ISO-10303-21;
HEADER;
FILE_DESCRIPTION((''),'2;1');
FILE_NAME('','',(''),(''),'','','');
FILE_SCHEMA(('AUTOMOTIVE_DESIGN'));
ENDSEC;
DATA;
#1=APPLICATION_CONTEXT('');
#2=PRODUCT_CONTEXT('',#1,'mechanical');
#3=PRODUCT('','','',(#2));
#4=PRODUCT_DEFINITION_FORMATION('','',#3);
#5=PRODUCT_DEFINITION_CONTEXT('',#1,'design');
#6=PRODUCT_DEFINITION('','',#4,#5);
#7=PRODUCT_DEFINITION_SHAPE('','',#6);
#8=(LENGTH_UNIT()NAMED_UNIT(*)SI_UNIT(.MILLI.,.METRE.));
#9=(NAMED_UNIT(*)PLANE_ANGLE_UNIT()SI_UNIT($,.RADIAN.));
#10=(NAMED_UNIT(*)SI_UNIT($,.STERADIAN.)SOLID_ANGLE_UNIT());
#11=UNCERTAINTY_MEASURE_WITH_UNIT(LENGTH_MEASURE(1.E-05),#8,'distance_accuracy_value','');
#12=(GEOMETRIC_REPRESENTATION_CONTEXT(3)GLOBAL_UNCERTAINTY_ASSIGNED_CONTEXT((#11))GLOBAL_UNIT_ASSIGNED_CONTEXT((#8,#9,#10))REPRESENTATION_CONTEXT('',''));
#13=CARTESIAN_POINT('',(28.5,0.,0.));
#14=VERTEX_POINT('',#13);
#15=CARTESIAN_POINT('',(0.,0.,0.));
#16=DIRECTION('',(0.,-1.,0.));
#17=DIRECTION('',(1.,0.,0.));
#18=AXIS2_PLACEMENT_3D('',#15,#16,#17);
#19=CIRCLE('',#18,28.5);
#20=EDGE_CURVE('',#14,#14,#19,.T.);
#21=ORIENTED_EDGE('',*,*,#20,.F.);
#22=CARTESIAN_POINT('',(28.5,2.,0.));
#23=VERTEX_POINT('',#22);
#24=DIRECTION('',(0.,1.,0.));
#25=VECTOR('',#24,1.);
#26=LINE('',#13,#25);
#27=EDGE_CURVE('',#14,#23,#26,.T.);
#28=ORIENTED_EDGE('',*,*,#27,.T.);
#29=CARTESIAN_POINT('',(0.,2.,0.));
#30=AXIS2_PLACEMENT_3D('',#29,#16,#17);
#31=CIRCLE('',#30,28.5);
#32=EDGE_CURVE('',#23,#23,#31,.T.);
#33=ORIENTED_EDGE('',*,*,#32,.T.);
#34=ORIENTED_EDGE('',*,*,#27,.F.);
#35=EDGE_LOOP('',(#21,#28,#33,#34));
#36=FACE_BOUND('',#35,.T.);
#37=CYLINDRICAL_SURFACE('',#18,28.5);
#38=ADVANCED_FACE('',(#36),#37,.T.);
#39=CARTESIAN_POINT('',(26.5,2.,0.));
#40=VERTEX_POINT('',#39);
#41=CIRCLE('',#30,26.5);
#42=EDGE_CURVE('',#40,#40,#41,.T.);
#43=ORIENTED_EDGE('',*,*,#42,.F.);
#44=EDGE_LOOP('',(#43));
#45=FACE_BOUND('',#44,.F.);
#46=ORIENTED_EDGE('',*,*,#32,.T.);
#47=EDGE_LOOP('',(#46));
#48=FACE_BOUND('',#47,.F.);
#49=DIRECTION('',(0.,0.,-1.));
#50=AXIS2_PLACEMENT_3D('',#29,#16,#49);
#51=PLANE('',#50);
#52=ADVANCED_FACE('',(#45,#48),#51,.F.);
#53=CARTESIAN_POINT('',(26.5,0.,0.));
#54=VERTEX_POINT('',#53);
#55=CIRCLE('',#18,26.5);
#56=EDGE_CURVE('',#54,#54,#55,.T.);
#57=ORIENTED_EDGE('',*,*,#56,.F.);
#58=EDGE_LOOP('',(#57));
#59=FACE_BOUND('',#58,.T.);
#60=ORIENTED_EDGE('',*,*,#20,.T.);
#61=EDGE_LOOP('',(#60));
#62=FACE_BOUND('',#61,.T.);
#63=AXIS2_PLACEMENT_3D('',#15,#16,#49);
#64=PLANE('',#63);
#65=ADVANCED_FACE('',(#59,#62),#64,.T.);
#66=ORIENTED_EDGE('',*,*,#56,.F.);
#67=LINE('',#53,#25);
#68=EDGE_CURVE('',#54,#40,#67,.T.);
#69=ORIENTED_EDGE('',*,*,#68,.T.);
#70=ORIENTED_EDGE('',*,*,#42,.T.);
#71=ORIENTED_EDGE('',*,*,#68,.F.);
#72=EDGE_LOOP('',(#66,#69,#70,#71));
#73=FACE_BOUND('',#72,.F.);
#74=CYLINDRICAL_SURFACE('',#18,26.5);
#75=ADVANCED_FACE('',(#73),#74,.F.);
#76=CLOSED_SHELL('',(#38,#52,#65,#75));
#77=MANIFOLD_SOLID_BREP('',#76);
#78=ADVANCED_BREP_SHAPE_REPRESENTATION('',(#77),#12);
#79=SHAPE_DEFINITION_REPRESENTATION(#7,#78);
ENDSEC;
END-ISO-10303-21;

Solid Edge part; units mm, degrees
sketch "Sketch1" plane through (0, 0, 0) normal (0, -1, 0) x (1, 0, 0)
  circle A0 centre (0, 0) radius 28.5
  circle A1 centre (0, 0) radius 26.5
  dimension "D1" = 57
  dimension "D2" = 53
extrude "Protrusion1" add sketch "Sketch1" against normal blind 2
